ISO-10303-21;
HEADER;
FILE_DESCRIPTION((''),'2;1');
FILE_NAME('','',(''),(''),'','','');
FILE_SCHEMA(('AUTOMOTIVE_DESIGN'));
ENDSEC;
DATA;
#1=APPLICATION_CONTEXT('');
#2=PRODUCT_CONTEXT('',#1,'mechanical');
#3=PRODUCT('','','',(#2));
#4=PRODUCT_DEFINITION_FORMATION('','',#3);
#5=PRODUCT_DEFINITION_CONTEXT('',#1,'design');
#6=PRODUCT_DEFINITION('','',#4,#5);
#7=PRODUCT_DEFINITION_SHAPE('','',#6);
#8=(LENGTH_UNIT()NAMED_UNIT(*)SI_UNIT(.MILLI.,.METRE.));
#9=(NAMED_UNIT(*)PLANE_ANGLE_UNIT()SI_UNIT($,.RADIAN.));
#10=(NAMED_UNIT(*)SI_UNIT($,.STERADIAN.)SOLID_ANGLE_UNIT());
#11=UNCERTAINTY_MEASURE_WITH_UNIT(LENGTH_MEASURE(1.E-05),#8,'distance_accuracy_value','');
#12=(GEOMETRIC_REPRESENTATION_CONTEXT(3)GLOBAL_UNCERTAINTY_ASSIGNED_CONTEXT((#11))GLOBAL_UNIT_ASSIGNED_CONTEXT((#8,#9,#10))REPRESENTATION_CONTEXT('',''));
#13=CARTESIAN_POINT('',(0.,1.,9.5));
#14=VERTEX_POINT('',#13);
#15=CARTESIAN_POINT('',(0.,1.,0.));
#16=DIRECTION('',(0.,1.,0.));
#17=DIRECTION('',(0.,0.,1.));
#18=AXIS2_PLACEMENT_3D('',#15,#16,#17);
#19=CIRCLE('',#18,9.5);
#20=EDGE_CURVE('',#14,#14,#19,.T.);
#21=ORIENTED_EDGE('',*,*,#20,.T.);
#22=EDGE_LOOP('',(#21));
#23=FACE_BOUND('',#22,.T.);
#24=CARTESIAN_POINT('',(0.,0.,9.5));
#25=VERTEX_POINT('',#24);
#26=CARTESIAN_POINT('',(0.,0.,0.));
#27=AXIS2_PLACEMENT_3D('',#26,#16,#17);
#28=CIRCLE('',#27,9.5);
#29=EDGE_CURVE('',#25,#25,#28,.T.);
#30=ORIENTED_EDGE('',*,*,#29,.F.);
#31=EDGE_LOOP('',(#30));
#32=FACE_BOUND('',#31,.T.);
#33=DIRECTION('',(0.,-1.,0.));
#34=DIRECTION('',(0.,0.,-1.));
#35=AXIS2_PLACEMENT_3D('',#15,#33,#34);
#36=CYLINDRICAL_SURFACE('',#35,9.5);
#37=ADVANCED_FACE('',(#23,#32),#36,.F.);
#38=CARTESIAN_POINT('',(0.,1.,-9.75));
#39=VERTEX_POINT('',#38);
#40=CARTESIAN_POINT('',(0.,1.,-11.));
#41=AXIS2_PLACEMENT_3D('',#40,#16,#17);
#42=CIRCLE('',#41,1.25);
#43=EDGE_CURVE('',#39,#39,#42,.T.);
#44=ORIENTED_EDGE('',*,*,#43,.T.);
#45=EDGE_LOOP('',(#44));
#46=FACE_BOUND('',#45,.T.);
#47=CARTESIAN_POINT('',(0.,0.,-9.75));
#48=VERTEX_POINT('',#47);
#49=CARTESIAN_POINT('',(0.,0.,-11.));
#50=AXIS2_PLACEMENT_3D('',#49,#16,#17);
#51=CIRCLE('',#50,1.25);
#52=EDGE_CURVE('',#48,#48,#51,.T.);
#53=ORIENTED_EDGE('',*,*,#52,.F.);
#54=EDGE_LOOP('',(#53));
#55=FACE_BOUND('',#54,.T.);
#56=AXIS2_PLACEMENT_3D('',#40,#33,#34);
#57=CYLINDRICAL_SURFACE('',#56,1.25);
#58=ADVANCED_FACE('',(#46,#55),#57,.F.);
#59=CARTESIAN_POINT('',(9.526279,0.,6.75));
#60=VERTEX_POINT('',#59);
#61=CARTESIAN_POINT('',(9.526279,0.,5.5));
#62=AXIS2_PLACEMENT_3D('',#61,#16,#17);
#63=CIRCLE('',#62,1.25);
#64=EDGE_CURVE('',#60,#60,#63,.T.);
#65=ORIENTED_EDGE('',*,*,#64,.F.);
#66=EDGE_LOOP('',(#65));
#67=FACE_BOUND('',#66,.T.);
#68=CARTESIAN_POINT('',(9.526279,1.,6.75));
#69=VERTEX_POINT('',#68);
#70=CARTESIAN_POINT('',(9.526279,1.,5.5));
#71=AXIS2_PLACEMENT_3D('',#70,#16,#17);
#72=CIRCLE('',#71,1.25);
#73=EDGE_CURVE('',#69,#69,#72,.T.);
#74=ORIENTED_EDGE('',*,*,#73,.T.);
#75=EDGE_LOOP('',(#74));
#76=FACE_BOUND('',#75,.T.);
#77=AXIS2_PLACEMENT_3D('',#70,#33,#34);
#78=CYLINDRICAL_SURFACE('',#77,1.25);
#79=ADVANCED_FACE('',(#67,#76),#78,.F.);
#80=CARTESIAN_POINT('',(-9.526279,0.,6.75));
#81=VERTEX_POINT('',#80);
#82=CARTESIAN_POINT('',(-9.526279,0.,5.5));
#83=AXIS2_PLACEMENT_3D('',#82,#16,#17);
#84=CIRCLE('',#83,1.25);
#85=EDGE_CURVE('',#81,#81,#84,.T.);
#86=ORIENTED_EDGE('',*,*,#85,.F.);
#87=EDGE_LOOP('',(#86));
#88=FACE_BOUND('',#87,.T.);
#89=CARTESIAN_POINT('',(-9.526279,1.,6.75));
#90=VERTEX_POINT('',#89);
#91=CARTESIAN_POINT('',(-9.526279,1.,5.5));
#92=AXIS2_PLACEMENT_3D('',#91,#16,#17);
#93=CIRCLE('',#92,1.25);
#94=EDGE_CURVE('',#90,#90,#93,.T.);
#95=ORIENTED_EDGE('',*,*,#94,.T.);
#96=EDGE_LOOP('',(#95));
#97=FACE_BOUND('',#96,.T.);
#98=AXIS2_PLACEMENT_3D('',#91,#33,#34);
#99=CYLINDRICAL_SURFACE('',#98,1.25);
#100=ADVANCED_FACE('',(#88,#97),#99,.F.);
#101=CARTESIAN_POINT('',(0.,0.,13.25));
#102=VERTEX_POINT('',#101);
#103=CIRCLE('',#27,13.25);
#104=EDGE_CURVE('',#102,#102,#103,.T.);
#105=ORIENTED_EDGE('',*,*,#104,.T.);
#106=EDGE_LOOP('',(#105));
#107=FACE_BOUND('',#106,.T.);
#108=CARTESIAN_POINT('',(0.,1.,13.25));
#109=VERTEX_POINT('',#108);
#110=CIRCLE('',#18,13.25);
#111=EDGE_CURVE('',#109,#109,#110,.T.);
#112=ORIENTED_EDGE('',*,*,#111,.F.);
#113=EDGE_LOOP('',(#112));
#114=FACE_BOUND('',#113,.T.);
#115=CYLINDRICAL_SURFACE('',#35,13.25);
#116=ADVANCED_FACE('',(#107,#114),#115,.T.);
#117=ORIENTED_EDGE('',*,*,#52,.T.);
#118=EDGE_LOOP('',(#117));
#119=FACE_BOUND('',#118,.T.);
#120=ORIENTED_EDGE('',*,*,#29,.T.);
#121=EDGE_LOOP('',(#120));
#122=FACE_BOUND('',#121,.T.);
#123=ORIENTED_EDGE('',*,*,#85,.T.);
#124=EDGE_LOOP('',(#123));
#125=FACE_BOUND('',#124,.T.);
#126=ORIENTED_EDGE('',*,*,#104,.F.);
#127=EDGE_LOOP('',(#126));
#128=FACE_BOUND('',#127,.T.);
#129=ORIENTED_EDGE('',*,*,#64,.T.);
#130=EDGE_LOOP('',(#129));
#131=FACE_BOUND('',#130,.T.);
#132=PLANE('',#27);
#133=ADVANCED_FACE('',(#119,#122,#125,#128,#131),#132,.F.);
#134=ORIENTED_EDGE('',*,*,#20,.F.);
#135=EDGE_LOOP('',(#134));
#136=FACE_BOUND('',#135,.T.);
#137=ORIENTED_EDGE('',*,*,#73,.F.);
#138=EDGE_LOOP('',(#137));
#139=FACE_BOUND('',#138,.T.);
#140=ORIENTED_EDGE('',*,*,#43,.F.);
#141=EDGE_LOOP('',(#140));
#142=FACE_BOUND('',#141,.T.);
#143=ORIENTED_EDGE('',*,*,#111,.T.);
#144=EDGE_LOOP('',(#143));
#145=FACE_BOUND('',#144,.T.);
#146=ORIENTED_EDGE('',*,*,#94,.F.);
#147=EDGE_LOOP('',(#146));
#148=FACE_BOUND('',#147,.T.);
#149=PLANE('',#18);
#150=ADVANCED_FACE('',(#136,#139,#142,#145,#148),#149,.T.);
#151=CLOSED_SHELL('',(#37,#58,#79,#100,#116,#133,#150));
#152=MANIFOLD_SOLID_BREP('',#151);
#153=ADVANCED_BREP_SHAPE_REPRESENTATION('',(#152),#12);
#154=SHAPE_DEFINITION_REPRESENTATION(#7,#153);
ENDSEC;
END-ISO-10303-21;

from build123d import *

# Parameters (mm, degrees)
SKETCH1_R           = 13.25
SKETCH1_R_2         = 9.5
SKETCH1_R_3         = 1.25
BOSS_EXTRUDE1_DEPTH = 1


with BuildPart() as part:
    # Sketch1 → Boss-Extrude1 (new body)
    with BuildSketch(Plane(origin=(0, 0, 0), x_dir=(1, 0, 0), z_dir=(0, 1, 0))):
        with Locations(Location((0, 0, 0), (0, 0, 270))):
            Circle(SKETCH1_R)
        with Locations(Location((0, 0, 0), (0, 0, 270))):
            Circle(SKETCH1_R_2, mode=Mode.SUBTRACT)
        with Locations(Location((0, 11, 0), (0, 0, 270))):
            Circle(SKETCH1_R_3, mode=Mode.SUBTRACT)
        with Locations(Location((9.526279442, -5.5, 0), (0, 0, 270))):
            Circle(SKETCH1_R_3, mode=Mode.SUBTRACT)
        with Locations(Location((-9.526279442, -5.5, 0), (0, 0, 270))):
            Circle(SKETCH1_R_3, mode=Mode.SUBTRACT)
    extrude(amount=BOSS_EXTRUDE1_DEPTH)


solid = part.part
